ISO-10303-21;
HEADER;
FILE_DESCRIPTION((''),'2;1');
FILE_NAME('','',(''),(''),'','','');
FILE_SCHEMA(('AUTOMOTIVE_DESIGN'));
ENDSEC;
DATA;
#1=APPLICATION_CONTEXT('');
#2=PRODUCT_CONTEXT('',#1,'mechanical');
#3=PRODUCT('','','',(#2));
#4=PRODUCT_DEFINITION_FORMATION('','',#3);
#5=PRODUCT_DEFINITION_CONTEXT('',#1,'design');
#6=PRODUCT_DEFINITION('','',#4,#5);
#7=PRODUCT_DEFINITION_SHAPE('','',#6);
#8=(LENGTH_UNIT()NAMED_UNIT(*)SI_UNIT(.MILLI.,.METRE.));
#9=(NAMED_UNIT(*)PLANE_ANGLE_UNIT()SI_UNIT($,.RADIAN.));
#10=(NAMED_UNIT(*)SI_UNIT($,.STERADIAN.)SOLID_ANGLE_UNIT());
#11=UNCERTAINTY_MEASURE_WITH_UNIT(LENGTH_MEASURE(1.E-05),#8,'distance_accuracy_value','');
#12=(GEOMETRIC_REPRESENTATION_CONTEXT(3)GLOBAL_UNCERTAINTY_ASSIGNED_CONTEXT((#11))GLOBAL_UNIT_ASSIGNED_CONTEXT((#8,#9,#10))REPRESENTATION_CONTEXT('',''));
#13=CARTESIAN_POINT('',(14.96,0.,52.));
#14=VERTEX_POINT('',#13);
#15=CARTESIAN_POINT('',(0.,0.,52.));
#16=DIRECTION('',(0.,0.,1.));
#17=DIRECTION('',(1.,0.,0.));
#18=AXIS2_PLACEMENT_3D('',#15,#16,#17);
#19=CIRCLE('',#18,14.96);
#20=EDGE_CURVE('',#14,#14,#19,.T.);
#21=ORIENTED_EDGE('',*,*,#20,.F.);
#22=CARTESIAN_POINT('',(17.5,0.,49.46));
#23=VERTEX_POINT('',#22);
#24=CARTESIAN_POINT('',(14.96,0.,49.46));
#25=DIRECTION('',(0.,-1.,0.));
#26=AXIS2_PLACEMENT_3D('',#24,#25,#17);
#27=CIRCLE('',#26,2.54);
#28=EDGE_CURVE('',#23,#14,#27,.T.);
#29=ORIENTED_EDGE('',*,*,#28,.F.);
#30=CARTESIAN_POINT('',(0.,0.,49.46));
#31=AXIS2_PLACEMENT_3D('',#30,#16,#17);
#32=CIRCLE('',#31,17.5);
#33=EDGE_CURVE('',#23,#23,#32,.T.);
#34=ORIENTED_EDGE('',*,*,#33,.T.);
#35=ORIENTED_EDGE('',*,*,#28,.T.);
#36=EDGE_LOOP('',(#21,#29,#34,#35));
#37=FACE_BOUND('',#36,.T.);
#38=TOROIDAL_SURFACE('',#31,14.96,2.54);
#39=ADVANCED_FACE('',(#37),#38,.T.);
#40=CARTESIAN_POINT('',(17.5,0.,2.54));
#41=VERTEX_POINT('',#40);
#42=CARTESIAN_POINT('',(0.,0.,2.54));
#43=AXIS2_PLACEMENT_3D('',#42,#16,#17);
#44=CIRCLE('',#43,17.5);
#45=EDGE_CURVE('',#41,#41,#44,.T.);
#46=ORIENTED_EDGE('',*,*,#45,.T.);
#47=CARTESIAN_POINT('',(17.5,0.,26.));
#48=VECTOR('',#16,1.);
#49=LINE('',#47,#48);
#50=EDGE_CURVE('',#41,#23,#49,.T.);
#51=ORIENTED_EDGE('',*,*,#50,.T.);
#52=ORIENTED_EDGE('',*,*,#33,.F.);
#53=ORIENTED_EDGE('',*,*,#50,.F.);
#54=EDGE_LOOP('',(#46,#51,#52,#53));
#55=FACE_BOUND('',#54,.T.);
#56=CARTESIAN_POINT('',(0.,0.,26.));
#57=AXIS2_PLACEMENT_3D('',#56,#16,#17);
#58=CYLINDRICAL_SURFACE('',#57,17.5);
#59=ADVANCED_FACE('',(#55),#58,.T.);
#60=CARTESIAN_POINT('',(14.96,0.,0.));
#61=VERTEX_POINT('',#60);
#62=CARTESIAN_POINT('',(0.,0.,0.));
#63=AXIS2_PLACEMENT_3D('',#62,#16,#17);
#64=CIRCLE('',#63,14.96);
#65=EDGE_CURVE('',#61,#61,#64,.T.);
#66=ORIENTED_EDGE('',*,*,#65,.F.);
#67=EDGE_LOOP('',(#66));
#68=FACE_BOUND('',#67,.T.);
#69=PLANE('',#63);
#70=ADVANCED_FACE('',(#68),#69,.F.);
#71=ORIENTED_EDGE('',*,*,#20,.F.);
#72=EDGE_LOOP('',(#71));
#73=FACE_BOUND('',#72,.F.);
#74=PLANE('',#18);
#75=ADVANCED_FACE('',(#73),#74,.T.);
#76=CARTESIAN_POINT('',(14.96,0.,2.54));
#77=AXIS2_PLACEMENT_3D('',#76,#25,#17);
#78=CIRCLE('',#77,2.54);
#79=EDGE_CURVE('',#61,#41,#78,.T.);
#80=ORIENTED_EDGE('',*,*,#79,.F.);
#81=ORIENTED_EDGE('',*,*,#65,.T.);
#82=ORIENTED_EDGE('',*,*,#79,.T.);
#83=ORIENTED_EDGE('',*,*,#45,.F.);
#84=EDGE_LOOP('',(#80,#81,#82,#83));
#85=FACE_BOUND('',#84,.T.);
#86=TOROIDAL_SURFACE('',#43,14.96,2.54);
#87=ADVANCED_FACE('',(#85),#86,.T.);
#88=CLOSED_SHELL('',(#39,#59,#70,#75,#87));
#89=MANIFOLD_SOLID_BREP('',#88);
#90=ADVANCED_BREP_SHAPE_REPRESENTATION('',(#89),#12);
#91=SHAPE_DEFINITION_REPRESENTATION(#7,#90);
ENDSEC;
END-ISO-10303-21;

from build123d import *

# Parameters (mm, degrees)
F0_W = 17.5
F0_H = 52
F2_R = 2.54


with BuildPart() as f1:
    # F0 (on Front) → F1 (revolve)
    with BuildSketch(Plane.XZ):
        with Locations((8.75, 26)):
            Rectangle(F0_W, F0_H)
    revolve(axis=Axis((0, 0, 26), (0, 0, 1)))

    # F2
    f2_edges = [f1.edges().sort_by_distance(p)[0] for p in [
        (-17.5, 0, 52),
        (-17.5, 0, 0),
    ]]
    fillet(f2_edges, radius=F2_R)


solid = f1.part
